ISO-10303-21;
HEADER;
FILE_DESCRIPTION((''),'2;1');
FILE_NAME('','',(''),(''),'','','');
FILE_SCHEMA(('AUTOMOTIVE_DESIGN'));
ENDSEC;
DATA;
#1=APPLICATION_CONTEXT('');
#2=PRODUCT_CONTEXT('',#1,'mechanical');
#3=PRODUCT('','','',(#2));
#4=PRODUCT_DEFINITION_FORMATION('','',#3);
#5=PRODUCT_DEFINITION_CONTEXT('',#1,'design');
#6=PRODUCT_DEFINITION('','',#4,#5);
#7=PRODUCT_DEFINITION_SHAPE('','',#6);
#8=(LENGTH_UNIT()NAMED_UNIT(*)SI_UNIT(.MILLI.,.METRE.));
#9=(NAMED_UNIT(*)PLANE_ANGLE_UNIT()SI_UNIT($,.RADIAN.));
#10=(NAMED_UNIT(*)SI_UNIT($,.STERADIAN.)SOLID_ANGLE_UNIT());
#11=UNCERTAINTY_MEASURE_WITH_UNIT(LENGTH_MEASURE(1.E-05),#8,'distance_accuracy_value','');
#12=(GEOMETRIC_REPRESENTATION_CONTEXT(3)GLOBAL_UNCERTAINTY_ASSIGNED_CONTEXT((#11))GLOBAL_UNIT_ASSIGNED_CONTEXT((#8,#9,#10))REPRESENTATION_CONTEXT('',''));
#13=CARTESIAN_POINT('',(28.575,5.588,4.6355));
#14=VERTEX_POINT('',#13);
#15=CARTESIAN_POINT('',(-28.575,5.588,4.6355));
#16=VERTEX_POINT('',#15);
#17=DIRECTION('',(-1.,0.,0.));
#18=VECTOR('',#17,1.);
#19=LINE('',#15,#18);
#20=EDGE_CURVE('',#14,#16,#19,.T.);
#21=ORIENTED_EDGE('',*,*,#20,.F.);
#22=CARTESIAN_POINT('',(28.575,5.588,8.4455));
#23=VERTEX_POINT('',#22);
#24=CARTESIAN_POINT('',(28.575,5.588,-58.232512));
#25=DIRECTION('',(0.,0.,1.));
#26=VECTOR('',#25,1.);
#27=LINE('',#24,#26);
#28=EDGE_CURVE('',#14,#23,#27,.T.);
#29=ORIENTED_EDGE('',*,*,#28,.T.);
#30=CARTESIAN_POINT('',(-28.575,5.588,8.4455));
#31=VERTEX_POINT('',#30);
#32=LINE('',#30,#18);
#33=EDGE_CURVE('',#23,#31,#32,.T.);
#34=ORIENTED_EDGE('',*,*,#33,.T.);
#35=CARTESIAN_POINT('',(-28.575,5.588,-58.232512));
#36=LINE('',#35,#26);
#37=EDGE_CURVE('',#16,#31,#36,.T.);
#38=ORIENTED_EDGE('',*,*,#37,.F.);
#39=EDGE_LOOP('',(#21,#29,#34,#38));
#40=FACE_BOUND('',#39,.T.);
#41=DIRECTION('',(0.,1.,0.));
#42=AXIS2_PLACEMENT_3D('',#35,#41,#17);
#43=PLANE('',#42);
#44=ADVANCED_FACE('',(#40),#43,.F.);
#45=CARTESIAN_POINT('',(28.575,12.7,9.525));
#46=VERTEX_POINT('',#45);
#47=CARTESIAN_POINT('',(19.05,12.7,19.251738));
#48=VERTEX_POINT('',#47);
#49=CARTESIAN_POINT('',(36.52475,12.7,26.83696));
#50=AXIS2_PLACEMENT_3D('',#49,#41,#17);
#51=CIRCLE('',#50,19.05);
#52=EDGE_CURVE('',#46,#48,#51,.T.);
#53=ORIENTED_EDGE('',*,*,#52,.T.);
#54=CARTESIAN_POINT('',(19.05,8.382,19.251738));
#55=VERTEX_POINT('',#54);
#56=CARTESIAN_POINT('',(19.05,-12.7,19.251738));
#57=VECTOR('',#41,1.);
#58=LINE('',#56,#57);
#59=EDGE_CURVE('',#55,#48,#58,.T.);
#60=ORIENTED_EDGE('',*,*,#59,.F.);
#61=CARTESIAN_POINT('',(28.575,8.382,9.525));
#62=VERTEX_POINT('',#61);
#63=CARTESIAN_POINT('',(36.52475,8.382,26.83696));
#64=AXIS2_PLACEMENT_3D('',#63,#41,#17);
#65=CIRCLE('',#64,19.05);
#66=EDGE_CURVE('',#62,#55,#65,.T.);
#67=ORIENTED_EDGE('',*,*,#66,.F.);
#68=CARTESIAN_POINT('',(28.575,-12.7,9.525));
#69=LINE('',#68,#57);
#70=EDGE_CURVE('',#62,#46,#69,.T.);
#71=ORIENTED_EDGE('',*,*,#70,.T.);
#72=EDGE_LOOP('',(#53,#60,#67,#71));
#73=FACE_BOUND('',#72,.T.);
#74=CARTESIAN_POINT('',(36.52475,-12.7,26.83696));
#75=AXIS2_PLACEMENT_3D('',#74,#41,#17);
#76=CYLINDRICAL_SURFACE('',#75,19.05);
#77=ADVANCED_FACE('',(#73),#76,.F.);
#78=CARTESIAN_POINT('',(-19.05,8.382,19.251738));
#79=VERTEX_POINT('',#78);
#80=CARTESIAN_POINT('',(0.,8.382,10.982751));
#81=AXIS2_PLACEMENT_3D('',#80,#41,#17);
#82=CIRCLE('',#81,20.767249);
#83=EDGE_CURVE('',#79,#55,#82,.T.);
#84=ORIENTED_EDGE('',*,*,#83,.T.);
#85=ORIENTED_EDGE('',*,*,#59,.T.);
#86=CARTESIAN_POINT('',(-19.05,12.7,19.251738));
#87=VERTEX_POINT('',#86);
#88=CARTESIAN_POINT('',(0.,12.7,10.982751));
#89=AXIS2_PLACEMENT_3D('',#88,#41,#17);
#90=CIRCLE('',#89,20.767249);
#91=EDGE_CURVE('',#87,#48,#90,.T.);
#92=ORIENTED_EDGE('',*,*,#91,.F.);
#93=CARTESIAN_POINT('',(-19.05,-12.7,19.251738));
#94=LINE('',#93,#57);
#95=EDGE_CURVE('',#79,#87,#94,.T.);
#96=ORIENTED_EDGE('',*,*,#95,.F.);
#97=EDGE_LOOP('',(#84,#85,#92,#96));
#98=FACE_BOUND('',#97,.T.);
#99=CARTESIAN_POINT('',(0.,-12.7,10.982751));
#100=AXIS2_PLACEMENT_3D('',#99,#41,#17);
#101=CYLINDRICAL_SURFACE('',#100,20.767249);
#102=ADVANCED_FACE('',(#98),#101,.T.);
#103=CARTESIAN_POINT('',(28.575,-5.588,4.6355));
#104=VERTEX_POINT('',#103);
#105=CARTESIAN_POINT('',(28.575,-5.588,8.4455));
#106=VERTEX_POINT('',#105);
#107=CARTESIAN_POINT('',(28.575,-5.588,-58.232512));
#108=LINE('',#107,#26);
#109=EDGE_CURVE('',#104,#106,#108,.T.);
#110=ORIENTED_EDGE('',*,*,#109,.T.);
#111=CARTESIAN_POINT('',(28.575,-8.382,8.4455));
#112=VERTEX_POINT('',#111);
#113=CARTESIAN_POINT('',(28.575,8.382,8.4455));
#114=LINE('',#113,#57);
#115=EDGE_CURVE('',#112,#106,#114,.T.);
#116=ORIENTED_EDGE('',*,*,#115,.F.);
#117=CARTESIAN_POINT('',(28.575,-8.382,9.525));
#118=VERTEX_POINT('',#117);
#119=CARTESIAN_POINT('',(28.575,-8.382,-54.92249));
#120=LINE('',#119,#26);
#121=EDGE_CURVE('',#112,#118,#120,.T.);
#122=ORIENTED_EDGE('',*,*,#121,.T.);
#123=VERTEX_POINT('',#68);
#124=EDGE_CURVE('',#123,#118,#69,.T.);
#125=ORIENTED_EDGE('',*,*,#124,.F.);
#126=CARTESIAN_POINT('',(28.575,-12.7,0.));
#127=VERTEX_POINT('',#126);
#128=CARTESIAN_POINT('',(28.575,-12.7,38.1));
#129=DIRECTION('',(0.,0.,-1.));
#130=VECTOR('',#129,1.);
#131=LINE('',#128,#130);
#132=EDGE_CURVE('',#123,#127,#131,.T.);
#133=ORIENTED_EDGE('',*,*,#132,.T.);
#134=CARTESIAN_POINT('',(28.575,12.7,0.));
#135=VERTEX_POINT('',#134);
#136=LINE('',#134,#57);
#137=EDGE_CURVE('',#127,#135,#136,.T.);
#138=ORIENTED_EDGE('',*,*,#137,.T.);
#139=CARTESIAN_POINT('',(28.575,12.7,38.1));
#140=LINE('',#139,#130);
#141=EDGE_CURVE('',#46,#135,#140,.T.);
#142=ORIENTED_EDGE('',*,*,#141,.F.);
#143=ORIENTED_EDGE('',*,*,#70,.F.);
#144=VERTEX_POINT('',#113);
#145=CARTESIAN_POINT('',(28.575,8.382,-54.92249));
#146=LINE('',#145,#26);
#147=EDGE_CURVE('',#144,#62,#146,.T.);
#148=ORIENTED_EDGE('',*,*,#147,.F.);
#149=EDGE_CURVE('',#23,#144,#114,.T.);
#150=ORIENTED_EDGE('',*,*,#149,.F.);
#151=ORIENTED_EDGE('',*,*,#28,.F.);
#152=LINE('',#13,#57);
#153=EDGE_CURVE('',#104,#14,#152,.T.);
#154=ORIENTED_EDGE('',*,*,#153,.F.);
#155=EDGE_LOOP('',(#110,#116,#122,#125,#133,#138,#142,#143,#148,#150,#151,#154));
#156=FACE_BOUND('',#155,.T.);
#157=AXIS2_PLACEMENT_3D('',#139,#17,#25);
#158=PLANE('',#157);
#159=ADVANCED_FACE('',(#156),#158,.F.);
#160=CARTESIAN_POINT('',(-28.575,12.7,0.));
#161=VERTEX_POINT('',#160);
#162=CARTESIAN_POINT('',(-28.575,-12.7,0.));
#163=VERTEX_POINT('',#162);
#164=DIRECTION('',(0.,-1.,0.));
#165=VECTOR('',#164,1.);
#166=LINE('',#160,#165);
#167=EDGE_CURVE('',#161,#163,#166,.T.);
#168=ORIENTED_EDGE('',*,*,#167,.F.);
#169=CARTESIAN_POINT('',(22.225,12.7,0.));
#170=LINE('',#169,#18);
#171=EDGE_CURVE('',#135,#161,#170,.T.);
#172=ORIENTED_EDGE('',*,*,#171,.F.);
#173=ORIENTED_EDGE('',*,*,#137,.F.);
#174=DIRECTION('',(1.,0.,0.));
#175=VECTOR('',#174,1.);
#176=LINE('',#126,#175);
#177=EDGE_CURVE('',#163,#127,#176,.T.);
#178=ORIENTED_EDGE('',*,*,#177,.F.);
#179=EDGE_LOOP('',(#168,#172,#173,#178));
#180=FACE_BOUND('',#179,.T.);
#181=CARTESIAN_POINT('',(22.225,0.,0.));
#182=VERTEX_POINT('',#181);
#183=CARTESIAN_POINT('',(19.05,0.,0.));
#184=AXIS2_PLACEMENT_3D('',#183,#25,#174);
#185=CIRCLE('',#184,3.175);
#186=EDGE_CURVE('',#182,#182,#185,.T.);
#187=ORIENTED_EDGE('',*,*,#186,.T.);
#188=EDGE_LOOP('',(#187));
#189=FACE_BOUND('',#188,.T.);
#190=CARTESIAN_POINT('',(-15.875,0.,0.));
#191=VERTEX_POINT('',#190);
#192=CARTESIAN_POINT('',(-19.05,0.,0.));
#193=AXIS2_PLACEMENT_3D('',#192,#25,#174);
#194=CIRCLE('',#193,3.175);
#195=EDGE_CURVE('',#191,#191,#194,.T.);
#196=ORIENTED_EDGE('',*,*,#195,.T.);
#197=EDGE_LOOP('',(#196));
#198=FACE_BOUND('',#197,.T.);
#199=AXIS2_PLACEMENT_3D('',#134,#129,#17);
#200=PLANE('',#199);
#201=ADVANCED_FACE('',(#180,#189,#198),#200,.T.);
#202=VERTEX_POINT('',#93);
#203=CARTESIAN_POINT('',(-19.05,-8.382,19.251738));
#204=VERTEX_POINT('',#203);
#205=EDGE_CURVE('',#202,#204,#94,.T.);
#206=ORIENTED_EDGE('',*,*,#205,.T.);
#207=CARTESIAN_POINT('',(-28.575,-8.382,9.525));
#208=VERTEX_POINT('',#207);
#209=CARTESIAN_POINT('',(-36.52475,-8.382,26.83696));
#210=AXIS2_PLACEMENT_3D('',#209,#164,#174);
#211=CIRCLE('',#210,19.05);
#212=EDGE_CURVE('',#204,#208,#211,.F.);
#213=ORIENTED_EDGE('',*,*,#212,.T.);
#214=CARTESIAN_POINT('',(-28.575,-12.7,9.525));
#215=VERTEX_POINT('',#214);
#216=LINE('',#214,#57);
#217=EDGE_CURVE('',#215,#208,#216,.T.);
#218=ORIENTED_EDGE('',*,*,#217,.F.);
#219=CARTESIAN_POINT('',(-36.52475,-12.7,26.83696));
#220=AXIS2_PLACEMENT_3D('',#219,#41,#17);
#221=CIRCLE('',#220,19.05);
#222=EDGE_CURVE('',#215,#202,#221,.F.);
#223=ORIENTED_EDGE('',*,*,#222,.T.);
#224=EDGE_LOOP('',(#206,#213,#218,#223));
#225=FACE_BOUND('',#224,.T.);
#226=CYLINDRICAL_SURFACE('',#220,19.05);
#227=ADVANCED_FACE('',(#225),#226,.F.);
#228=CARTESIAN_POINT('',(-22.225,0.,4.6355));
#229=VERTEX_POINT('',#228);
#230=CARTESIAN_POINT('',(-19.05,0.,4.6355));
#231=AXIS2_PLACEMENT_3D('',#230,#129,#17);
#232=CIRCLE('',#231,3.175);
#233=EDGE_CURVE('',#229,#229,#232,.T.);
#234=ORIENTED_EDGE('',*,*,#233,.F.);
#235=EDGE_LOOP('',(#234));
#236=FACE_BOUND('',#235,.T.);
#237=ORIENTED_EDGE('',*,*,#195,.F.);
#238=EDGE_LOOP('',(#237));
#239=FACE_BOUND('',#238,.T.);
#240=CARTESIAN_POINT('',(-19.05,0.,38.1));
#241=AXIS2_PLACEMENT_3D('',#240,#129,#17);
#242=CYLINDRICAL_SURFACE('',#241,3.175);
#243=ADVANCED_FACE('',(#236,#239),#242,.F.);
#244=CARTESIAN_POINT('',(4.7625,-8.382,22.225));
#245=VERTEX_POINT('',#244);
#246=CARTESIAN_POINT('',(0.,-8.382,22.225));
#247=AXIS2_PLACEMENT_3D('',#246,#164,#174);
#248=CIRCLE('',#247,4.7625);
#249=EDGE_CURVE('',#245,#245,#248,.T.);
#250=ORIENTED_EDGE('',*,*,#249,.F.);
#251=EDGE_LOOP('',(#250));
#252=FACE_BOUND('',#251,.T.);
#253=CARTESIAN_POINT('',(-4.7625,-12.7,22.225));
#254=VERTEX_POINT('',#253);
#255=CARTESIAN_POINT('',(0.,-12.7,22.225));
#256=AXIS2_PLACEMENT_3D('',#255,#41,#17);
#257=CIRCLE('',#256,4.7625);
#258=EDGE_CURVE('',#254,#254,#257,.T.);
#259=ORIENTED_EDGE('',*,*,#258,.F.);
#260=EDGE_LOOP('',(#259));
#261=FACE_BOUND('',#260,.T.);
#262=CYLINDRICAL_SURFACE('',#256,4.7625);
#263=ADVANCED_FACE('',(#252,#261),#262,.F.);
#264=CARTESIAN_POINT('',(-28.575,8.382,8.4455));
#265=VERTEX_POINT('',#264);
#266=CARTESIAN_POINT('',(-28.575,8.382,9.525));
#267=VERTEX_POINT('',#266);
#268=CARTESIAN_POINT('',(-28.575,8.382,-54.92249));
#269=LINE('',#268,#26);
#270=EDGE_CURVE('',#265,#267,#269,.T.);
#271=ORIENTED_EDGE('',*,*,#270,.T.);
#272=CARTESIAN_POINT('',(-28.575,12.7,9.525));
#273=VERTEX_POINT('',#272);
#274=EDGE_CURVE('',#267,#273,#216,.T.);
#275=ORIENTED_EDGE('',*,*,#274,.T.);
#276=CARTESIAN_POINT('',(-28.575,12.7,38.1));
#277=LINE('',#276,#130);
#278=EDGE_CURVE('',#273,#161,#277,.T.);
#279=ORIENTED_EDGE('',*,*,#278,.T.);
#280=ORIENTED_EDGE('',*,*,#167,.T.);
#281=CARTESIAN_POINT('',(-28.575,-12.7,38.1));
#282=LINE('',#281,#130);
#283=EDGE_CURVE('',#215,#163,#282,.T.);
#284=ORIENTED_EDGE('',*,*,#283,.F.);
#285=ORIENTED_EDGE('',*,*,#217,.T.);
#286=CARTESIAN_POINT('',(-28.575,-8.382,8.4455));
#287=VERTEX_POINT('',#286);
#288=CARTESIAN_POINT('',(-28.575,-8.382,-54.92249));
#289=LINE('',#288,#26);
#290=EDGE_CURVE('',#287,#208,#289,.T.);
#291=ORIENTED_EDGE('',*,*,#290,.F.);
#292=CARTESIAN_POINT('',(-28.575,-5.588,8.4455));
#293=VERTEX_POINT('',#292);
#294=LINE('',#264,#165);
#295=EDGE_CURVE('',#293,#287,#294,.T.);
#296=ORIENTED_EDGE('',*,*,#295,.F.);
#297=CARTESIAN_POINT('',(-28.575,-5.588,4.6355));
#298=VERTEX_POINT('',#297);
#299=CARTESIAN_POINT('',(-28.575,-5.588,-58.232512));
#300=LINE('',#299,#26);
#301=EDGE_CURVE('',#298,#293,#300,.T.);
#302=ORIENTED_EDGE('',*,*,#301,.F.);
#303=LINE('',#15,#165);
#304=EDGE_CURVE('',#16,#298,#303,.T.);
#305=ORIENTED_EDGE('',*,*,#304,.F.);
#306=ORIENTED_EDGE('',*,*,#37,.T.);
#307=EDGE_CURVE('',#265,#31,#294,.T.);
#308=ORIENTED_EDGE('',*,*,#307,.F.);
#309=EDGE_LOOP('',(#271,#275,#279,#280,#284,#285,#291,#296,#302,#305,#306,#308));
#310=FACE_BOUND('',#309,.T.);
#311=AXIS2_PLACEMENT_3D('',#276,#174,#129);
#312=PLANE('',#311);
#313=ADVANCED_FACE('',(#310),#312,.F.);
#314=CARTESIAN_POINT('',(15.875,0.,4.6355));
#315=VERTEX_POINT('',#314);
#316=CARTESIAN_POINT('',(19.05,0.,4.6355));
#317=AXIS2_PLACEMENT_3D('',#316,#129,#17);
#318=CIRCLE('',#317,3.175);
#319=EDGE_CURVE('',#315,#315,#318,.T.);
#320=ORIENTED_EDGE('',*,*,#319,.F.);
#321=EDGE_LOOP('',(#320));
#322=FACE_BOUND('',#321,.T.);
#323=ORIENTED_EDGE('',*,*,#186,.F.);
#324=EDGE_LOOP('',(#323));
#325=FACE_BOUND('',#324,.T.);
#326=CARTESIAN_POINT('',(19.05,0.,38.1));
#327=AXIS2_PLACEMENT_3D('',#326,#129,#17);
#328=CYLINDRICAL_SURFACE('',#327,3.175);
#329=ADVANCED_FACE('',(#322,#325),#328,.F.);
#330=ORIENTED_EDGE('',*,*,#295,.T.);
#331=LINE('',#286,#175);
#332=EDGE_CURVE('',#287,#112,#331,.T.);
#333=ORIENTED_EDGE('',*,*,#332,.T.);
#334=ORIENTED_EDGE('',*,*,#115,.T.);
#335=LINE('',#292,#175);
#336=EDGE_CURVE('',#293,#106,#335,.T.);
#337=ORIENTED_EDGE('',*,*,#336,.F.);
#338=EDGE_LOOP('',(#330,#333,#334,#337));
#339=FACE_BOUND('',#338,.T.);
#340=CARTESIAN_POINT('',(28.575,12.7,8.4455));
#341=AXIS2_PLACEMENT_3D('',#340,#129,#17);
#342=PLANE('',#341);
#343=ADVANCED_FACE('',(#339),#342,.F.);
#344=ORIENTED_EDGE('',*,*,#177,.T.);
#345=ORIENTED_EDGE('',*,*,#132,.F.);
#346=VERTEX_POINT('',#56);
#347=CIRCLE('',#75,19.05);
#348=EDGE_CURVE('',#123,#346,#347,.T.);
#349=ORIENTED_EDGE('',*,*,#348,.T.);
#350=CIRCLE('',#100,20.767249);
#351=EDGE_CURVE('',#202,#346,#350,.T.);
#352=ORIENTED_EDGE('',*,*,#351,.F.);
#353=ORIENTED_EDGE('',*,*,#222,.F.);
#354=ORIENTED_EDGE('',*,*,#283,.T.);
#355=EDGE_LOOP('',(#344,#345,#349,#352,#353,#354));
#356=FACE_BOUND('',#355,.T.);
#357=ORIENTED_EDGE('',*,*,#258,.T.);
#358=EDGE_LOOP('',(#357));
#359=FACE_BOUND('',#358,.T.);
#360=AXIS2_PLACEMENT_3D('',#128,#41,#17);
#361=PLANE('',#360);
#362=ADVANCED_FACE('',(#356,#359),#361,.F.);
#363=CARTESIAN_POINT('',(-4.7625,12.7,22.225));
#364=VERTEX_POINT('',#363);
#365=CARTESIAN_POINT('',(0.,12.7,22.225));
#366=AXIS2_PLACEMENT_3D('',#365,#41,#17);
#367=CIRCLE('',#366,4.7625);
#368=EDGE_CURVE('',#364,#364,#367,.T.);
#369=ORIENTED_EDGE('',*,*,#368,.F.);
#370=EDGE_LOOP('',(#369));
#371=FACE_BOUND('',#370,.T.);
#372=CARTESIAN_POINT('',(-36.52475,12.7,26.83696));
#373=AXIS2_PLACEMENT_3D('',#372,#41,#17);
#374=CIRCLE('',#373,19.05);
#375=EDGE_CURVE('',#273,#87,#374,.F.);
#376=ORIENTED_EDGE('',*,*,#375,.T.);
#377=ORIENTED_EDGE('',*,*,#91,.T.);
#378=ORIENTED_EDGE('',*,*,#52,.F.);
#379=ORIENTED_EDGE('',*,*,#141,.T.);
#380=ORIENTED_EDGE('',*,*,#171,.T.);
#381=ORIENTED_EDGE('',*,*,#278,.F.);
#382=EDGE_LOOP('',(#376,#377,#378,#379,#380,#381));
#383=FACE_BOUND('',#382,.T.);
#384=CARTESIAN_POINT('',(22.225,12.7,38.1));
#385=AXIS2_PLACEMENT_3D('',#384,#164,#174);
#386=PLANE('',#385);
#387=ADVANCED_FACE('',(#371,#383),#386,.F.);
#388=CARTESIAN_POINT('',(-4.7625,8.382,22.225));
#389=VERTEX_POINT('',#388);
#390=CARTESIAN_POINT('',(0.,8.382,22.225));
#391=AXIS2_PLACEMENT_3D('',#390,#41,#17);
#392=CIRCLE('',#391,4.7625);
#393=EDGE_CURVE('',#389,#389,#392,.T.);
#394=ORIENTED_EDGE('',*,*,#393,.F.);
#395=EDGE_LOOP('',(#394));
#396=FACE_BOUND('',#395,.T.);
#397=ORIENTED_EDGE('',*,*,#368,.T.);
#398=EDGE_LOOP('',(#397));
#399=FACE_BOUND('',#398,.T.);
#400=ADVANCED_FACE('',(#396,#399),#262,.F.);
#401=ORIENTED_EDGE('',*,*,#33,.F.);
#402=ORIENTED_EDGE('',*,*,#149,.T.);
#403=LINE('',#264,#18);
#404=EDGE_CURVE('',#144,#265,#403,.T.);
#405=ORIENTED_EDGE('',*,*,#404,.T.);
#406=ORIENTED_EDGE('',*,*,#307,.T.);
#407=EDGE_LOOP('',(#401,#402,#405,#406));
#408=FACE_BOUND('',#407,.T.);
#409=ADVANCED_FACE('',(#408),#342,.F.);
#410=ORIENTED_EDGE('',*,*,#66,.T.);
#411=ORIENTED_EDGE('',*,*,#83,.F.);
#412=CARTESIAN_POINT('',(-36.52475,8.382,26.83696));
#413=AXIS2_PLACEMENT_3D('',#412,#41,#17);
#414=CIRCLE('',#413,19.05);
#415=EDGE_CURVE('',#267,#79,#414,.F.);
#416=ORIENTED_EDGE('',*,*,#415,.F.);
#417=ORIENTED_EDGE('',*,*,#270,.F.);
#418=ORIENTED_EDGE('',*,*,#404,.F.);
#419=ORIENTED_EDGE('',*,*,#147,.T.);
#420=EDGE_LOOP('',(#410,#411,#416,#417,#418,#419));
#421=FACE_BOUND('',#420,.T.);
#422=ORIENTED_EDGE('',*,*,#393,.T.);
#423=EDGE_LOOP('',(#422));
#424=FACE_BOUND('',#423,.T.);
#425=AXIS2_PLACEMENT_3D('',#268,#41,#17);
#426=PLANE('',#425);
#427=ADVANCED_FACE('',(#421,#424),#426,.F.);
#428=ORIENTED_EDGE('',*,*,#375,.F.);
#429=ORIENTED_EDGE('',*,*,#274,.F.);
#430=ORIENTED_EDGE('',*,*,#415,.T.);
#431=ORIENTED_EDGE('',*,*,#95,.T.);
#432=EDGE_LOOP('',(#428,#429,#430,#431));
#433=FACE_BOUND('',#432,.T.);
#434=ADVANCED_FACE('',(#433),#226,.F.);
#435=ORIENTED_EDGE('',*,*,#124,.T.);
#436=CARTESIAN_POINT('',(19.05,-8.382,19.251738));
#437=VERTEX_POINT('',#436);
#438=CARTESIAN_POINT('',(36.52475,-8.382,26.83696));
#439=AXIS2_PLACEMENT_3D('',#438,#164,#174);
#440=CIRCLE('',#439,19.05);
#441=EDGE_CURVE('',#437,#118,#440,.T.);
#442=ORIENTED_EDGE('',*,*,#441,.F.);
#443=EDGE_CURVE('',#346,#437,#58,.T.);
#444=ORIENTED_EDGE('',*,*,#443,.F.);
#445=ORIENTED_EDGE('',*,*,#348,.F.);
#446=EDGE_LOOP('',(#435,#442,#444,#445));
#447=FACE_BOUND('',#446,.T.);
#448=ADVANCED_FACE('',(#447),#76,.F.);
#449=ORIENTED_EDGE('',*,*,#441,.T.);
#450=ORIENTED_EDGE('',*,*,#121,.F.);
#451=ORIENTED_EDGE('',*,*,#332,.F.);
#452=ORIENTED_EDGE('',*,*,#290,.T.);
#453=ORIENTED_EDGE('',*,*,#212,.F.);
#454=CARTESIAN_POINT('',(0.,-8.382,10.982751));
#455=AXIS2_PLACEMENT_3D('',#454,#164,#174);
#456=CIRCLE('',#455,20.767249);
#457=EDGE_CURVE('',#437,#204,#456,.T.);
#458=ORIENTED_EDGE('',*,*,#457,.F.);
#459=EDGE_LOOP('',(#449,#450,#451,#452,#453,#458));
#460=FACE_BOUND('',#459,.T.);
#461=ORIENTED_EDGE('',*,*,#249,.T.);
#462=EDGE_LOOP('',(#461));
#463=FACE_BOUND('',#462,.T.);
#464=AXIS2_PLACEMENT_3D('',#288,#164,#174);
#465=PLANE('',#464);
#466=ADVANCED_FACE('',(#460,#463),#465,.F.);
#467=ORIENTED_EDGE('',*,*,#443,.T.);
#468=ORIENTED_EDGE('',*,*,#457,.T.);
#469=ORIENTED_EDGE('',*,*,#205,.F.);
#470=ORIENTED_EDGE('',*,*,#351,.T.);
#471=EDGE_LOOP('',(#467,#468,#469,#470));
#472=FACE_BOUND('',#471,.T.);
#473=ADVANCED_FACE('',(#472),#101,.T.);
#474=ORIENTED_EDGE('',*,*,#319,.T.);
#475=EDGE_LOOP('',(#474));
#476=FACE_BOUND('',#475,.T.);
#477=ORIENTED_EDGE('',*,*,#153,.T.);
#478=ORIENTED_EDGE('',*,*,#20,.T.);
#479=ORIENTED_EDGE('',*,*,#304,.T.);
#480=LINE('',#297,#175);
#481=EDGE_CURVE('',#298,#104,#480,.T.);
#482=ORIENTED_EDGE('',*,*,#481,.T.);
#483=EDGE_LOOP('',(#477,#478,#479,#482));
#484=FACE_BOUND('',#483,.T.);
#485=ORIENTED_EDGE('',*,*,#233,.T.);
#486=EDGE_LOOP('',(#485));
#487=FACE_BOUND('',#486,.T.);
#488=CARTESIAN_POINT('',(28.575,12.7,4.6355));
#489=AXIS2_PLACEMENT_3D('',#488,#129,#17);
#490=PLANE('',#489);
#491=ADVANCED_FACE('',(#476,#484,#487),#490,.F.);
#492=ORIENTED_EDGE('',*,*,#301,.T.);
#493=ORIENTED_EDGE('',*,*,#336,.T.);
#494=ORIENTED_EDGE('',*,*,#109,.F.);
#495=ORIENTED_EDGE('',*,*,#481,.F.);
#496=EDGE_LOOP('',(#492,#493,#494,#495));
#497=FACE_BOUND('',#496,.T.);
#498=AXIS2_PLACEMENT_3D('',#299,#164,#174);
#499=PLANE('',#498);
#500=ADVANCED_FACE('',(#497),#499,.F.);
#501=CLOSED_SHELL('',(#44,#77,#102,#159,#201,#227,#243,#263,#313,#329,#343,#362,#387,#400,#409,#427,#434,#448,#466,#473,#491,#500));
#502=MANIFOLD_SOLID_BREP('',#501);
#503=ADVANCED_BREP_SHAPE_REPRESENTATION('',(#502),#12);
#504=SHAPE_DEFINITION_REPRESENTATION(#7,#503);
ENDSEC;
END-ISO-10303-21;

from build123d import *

# Parameters (mm, degrees)
SKETCH2_R      = 3.175
EXTRUDE1_DEPTH = 38.1
SKETCH3_W      = 57.15
SKETCH3_H      = 11.176
EXTRUDE2_DEPTH = 33.4645
SKETCH4_W      = 57.15
SKETCH4_H      = 16.764
EXTRUDE3_DEPTH = 29.6545
SKETCH5_R      = 4.7625
EXTRUDE4_DEPTH = 26.4
EXTRUDE5_DEPTH = 26.4


with BuildPart() as part:
    # Sketch2 → Extrude1 (new body)
    with BuildSketch(Plane.XY):
        Polygon((-22.225, 12.7), (-28.575, 12.7), (-28.575, -12.7), (-22.225, -12.7), (22.225, -12.7), (28.575, -12.7), (28.575, 12.7), (22.225, 12.7), align=None)
        with Locations((19.05, 0)):
            Circle(SKETCH2_R, mode=Mode.SUBTRACT)
        with Locations((-19.05, 0)):
            Circle(SKETCH2_R, mode=Mode.SUBTRACT)
    extrude(amount=EXTRUDE1_DEPTH)

    # Sketch3 → Extrude2 (cut)
    with BuildSketch(Plane.XY.offset(38.1)):
        Rectangle(SKETCH3_W, SKETCH3_H)
    extrude(amount=-EXTRUDE2_DEPTH, mode=Mode.SUBTRACT)

    # Sketch4 → Extrude3 (cut)
    with BuildSketch(Plane.XY.offset(38.1)):
        Rectangle(SKETCH4_W, SKETCH4_H)
    extrude(amount=-EXTRUDE3_DEPTH, mode=Mode.SUBTRACT)

    # Sketch5 → Extrude4 (cut, through all)
    with BuildSketch(Plane(origin=(0, 12.7, 0), x_dir=(-1, 0, 0), z_dir=(0, 1, 0))):
        with Locations((0, 22.225)):
            Circle(SKETCH5_R)
    extrude(amount=-EXTRUDE4_DEPTH, mode=Mode.SUBTRACT)

    # Sketch6 → Extrude5 (cut, through all)
    with BuildSketch(Plane(origin=(0, 12.7, 0), x_dir=(1, 0, 0), z_dir=(0, 1, 0))):
        with BuildLine():
            Line((-28.575, -9.525), (-28.575, -38.1))
            Line((-28.575, -38.1), (28.575, -38.1))
            Line((28.575, -38.1), (28.575, -9.525))
            ThreePointArc((28.575, -9.525), (22.913958086, -13.508463236), (19.05, -19.25173781))
            ThreePointArc((19.05, -19.25173781), (0, -31.75), (-19.05, -19.25173781))
            ThreePointArc((-19.05, -19.25173781), (-22.913958086, -13.508463236), (-28.575, -9.525))
        make_face()
    extrude(amount=-EXTRUDE5_DEPTH, mode=Mode.SUBTRACT)


solid = part.part
